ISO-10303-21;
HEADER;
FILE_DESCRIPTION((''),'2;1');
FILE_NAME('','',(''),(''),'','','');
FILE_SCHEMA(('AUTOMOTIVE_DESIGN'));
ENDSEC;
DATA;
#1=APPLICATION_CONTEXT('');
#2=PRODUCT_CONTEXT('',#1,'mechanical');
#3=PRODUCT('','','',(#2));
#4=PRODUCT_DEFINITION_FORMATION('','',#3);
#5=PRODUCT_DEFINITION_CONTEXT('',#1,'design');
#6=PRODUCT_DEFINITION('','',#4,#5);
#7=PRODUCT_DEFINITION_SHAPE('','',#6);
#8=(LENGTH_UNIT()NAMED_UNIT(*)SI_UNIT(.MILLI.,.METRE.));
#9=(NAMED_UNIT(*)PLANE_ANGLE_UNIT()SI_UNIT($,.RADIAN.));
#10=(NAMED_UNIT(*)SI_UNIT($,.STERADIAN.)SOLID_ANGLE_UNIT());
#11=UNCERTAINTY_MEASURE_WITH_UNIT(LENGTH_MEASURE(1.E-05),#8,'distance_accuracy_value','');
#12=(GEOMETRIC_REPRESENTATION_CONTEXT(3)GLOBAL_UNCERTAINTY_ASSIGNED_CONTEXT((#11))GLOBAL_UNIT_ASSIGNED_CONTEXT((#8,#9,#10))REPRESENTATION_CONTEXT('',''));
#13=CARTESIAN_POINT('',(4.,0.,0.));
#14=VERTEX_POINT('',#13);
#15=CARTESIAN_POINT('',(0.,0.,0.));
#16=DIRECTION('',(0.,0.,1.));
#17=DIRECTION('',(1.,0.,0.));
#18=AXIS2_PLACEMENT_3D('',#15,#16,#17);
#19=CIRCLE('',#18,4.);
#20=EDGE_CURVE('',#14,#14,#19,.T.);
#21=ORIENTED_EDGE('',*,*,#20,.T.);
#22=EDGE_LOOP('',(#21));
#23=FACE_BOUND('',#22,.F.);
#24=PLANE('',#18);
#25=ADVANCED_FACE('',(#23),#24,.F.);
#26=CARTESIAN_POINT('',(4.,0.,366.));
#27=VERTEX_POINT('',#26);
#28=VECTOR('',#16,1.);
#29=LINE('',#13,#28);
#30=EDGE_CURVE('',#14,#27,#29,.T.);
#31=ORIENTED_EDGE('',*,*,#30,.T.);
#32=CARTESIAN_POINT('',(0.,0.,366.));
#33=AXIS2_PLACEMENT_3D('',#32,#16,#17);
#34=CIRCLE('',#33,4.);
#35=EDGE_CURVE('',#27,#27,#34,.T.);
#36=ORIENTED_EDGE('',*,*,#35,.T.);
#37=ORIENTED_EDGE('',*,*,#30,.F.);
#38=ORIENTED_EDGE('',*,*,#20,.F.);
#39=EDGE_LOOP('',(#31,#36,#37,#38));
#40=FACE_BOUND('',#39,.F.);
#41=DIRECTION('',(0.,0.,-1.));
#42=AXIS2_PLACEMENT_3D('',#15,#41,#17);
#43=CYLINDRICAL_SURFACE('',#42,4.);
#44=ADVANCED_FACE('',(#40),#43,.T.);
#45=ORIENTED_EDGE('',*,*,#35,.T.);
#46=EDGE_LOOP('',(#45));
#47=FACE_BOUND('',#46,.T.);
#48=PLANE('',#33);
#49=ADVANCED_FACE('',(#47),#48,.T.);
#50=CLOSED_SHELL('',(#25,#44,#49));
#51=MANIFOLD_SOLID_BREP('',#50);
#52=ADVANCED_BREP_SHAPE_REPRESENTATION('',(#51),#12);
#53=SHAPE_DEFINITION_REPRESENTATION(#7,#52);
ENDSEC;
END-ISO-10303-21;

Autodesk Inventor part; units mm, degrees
ref_plane "YZ Plane" through (0, 0, 0) normal (1, 0, 0) x (0, 1, 0)
ref_plane "XZ Plane" through (0, 0, 0) normal (0, 1, 0) x (-1, 0, 0)
ref_plane "XY Plane" through (0, 0, 0) normal (0, 0, 1) x (1, 0, 0)
sketch "Sketch1" plane through (0, 0, 0) normal (0, 0, 1) x (1, 0, 0)
  circle A0 centre (0, 0) radius 4
  dimension "d0" = 8
extrude "Extrusion1" add sketch "Sketch1" along normal blind 366
thread "Thread1" size "M8x1.25" class "6g" standard "ANSI Metric M Profile" full length
properties part number "Thread_Shaft_366mm"
